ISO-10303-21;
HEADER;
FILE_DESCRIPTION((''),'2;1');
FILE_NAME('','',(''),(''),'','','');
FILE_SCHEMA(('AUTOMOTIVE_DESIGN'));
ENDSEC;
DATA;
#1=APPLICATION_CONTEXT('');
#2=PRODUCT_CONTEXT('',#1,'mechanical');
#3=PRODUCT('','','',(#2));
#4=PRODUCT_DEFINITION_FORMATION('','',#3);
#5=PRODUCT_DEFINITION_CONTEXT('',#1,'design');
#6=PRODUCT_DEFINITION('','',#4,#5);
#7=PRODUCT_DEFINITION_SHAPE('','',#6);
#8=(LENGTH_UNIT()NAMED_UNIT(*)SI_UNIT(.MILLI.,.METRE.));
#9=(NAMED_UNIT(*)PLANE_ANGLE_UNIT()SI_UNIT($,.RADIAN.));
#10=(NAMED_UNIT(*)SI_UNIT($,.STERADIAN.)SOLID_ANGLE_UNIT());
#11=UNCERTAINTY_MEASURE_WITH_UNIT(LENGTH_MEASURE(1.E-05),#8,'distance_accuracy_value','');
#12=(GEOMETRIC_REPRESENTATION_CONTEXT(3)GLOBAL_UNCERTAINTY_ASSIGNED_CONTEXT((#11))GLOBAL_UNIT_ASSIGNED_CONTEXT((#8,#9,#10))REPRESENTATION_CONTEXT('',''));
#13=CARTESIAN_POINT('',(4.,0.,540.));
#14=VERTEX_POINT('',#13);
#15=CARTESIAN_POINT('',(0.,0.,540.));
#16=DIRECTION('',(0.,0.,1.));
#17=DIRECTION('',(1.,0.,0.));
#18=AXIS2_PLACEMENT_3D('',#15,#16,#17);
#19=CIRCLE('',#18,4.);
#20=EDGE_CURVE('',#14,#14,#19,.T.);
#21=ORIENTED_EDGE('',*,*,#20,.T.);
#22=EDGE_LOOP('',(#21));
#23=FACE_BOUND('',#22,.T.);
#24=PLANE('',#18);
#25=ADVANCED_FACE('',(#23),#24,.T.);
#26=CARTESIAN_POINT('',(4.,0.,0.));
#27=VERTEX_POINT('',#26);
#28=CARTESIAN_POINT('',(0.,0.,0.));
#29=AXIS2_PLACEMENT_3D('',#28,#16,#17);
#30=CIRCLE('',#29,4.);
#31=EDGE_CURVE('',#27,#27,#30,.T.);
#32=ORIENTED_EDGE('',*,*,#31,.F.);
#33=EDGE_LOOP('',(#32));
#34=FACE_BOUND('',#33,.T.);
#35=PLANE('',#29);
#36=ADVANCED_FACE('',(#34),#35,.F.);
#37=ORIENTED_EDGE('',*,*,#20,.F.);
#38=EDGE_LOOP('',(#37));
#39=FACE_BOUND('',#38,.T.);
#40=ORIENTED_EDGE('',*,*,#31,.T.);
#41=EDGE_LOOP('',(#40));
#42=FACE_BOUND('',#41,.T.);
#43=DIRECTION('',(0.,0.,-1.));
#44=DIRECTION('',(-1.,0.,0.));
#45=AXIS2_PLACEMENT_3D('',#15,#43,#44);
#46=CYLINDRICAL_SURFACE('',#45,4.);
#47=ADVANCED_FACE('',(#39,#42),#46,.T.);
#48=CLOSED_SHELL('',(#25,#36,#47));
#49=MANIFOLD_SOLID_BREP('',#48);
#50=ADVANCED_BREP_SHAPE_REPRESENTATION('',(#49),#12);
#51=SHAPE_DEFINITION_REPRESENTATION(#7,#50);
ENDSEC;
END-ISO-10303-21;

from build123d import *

# Parameters (mm, degrees)
SKETCH1_R           = 4
BOSS_EXTRUDE1_DEPTH = 540


with BuildPart() as part:
    # Sketch1 → Boss-Extrude1 (new body)
    with BuildSketch(Plane.XY):
        Circle(SKETCH1_R)
    extrude(amount=BOSS_EXTRUDE1_DEPTH)


solid = part.part
